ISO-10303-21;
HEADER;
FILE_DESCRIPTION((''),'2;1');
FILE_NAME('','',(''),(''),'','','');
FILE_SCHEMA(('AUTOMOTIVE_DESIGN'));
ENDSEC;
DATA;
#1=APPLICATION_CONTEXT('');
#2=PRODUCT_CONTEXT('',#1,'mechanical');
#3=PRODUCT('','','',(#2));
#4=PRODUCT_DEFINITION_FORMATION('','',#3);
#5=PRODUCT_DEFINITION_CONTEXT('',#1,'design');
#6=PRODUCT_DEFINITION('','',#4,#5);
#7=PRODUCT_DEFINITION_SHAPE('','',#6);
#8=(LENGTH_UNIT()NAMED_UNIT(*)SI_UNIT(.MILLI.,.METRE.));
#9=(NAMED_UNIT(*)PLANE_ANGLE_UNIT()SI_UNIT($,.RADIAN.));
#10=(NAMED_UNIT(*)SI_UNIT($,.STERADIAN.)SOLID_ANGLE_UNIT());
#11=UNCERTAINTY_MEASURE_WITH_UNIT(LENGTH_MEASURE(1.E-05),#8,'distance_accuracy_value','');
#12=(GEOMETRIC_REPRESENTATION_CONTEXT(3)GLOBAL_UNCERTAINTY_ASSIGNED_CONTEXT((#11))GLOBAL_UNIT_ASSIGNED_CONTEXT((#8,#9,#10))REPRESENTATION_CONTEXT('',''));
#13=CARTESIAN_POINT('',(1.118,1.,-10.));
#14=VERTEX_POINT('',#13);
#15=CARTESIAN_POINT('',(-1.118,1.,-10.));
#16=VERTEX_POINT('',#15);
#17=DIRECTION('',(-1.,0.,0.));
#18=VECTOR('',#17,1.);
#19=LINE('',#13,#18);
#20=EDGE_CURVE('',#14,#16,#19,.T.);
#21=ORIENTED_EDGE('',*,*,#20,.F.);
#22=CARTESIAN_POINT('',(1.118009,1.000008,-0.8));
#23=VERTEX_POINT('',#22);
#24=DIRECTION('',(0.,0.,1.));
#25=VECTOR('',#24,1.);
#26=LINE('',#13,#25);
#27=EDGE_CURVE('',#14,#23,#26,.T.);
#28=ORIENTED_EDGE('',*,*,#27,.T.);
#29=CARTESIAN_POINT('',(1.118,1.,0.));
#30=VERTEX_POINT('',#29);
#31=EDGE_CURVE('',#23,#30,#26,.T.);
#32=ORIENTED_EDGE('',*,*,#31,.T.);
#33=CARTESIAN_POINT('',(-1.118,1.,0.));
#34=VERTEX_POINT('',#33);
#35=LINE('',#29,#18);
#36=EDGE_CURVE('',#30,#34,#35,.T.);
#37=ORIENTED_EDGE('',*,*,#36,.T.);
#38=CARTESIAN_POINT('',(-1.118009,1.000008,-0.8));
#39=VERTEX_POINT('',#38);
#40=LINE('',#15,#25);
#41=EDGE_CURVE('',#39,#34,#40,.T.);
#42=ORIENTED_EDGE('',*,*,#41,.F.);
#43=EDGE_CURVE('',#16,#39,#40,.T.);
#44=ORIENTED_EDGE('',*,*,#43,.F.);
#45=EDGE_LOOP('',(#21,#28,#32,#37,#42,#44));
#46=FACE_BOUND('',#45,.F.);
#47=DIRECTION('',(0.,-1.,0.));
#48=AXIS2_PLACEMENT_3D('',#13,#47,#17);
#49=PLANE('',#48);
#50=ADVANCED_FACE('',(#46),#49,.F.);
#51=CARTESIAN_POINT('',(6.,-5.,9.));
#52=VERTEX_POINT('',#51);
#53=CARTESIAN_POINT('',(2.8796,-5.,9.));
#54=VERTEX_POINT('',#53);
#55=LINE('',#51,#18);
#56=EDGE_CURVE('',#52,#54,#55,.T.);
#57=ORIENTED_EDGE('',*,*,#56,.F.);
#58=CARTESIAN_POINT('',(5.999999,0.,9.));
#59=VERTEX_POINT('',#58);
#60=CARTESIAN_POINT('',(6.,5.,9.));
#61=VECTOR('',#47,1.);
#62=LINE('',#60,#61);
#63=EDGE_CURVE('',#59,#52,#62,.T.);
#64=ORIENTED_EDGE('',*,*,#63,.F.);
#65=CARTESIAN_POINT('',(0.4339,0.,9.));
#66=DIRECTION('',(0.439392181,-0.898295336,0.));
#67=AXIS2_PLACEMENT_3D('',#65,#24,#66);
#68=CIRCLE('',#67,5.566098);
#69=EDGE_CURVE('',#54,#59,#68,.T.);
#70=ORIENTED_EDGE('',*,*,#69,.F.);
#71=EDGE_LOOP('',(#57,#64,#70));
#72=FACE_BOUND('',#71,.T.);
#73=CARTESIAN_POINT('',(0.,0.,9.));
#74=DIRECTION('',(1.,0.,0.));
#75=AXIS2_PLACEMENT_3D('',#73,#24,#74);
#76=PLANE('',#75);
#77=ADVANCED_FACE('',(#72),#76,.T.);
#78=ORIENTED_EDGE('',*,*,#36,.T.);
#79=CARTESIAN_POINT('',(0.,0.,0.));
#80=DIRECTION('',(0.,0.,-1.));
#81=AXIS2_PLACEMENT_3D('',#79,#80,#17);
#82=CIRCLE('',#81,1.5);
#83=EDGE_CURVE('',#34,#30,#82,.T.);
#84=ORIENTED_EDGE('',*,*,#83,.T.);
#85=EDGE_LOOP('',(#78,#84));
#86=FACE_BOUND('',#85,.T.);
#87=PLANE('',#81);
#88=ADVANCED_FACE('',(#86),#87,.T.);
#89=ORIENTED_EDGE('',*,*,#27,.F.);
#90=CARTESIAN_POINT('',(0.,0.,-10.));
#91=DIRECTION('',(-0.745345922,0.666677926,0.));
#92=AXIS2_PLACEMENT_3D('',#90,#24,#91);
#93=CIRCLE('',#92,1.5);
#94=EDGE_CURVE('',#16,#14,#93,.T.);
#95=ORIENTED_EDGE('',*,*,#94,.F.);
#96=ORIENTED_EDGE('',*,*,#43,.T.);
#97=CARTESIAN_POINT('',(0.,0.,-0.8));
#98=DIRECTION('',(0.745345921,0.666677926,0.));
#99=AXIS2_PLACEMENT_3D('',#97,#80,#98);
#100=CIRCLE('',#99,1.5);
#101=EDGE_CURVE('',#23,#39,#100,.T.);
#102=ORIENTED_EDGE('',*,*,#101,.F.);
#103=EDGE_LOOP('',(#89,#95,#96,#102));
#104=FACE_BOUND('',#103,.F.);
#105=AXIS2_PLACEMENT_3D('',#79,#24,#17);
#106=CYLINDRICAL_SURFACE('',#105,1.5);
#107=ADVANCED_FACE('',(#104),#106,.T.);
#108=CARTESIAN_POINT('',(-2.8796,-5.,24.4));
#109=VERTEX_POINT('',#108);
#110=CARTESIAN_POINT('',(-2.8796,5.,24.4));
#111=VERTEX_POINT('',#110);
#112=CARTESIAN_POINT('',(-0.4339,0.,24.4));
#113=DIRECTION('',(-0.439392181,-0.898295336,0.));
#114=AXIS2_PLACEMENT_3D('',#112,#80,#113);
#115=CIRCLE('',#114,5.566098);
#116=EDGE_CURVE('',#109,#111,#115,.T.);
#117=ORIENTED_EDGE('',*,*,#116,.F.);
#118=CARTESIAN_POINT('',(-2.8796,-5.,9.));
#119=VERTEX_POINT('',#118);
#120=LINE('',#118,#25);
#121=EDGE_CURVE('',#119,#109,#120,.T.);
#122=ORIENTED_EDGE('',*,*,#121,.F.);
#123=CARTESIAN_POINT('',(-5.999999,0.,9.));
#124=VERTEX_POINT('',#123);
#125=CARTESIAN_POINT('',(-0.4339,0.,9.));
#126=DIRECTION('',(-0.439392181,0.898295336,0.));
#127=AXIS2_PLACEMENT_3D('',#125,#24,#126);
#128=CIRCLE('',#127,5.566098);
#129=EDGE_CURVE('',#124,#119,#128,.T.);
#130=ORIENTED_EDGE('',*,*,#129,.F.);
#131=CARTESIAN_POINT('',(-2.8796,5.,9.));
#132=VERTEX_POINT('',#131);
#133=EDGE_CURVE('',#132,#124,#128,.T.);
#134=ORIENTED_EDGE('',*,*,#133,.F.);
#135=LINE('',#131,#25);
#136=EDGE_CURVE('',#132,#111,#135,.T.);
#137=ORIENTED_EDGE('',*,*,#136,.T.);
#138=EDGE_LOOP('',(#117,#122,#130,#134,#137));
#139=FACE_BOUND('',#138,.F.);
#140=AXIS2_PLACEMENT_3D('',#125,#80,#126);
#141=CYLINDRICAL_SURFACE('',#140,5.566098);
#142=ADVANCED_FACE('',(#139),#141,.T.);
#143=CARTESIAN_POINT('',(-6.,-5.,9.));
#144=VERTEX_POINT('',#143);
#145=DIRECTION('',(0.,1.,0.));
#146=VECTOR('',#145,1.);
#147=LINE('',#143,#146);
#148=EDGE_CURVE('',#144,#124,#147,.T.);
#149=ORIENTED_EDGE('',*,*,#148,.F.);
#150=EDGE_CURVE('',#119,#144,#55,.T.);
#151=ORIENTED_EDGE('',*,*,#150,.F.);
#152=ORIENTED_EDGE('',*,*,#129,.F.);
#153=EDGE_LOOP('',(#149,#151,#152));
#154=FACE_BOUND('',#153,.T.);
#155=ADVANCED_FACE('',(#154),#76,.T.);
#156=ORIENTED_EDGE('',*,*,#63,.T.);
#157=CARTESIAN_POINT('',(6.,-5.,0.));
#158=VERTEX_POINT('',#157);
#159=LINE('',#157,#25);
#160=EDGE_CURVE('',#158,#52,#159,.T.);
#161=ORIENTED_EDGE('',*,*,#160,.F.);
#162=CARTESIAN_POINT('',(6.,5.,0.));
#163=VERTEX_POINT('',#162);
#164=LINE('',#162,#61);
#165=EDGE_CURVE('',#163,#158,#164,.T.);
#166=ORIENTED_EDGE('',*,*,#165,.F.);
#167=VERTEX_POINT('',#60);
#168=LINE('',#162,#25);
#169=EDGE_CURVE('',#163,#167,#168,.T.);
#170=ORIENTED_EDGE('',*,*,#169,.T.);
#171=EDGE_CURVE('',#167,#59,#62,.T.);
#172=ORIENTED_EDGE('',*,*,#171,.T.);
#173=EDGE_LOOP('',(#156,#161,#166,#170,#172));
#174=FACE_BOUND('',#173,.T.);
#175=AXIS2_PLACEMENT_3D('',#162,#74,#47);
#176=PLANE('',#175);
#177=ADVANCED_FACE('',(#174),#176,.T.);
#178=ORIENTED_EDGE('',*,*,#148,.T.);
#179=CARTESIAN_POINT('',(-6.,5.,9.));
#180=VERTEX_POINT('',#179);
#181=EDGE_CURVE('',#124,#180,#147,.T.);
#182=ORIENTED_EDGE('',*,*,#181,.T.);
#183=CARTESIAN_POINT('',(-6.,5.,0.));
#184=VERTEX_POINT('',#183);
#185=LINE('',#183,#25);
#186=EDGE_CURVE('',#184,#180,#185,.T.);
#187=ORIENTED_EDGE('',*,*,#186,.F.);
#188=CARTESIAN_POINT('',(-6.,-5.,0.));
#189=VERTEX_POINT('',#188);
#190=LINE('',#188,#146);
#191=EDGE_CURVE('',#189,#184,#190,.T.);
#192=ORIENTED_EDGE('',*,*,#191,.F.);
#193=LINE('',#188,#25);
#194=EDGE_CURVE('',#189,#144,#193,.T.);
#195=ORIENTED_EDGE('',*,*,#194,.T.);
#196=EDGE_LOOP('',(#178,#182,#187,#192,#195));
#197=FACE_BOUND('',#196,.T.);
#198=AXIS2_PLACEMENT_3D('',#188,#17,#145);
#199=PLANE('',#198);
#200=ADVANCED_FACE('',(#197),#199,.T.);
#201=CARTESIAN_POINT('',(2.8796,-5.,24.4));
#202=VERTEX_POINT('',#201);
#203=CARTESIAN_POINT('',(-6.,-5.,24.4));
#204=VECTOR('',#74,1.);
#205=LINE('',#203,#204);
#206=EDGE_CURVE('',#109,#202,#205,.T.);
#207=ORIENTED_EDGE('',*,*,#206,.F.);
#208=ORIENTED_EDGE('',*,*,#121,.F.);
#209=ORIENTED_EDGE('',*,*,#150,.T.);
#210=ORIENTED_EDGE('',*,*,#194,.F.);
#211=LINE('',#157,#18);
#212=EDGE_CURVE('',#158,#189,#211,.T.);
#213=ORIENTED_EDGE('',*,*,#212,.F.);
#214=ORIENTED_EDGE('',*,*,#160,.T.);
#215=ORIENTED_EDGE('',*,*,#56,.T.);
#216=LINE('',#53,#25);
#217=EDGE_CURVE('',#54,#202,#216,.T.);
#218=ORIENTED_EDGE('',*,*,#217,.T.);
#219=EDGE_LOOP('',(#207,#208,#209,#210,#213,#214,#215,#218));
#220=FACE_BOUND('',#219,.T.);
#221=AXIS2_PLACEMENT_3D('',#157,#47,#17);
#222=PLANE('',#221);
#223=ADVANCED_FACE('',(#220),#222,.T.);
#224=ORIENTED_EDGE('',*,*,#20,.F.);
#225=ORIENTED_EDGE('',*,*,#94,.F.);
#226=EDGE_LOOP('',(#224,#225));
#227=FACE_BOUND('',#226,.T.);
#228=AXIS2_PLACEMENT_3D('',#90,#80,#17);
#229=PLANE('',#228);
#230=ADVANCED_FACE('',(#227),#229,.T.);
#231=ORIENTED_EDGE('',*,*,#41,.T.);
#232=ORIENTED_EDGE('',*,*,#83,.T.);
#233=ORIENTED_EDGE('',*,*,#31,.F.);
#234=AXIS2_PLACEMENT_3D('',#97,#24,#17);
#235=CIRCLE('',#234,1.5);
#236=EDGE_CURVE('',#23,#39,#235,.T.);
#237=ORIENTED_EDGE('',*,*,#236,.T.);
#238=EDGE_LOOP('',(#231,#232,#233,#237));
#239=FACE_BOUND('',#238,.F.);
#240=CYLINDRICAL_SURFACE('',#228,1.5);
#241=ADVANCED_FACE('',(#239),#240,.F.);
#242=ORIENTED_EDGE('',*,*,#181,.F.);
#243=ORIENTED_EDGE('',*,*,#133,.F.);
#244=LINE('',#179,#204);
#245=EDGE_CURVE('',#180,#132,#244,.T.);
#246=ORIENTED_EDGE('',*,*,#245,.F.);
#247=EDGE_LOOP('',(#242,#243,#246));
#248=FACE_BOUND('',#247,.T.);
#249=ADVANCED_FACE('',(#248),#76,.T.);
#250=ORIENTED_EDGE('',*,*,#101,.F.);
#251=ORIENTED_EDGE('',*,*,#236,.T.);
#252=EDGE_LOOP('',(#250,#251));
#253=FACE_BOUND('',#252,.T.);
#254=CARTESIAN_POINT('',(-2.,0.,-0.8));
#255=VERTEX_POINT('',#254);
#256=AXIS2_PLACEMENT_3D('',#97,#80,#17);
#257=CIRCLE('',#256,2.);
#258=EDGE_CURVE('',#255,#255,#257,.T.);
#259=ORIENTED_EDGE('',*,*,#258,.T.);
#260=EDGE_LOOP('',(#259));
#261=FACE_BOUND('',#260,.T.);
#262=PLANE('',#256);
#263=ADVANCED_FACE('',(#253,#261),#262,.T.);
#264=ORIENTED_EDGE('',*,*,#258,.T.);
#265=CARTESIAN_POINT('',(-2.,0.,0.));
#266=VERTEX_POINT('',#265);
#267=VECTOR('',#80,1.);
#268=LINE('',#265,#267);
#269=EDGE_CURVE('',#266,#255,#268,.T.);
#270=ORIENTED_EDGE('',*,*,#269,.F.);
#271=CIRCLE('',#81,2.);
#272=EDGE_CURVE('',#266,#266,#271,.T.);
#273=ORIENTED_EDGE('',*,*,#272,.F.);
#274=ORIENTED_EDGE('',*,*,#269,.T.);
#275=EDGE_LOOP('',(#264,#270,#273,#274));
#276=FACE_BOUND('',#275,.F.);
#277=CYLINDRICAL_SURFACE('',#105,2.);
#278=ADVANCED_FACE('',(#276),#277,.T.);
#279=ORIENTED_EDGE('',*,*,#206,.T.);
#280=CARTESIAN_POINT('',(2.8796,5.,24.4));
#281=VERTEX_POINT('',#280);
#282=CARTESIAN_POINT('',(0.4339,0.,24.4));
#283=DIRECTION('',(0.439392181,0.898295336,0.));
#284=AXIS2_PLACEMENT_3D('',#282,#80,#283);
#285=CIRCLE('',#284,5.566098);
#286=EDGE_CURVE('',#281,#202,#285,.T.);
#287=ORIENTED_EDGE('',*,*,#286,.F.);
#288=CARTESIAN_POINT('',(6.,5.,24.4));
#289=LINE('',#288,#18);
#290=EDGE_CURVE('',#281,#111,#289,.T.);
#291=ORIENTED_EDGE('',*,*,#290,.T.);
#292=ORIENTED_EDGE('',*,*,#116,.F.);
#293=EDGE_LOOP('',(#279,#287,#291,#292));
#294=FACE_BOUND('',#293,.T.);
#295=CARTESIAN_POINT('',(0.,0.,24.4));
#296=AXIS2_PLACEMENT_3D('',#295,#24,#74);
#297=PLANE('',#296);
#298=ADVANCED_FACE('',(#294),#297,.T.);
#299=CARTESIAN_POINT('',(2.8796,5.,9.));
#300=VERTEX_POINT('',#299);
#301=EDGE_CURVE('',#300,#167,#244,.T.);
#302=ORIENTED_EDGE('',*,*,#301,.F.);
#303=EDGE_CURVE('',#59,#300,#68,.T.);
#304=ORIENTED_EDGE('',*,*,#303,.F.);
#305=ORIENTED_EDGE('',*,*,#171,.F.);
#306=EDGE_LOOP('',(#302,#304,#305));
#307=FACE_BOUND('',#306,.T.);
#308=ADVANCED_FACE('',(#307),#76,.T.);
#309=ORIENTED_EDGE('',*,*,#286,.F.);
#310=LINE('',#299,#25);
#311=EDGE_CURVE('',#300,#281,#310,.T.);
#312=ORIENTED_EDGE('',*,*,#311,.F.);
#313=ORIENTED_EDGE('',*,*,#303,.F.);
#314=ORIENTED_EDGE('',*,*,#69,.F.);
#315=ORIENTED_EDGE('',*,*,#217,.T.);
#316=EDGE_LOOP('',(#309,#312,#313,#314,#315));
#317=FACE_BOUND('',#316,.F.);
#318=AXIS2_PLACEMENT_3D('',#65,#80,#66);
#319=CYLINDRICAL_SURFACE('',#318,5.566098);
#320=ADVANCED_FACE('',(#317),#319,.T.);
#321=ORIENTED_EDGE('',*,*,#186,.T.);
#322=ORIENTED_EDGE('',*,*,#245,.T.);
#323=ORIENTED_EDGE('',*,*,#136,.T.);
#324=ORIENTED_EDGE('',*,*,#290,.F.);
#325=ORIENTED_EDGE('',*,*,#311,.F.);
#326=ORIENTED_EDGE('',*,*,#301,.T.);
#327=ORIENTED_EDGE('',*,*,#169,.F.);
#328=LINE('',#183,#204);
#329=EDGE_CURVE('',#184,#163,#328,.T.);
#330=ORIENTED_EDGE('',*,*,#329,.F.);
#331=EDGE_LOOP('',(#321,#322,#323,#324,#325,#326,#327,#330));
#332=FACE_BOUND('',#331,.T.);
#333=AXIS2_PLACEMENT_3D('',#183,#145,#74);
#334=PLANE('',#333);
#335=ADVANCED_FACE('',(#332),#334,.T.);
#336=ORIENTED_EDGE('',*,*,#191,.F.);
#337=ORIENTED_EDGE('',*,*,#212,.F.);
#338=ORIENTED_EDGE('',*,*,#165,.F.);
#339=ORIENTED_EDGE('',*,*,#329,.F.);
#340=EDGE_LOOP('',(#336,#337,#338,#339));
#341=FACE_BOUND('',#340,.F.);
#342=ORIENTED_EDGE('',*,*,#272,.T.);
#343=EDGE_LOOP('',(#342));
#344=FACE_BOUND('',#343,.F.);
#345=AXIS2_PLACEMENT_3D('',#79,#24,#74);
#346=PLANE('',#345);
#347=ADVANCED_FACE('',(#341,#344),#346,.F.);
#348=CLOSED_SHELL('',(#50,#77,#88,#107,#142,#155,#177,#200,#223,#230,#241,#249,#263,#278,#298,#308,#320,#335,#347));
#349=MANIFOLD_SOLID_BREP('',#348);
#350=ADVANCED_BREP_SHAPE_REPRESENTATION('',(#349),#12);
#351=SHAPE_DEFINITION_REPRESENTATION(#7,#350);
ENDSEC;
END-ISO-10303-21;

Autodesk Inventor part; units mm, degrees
ref_plane "YZ Plane" through (0, 0, 0) normal (1, 0, 0) x (0, 1, 0)
ref_plane "XZ Plane" through (0, 0, 0) normal (0, 1, 0) x (-1, 0, 0)
ref_plane "XY Plane" through (0, 0, 0) normal (0, 0, 1) x (1, 0, 0)
sketch "스케치1" plane through (0, 0, 0) normal (0, 0, 1) x (1, 0, 0)
  line L0 (-6, 5) -> (6, 5)
  line L1 (6, 5) -> (6, -5)
  line L2 (6, -5) -> (-6, -5)
  line L3 (-6, -5) -> (-6, 5)
  line L4 (-6, 5) -> (6, -5) construction
  line L5 (6, 5) -> (-6, -5) construction
  point P0 (0, 0)
  dimension "d0" = 12
  dimension "d1" = 10
extrude "돌출1" add sketch "스케치1" along normal blind 9
sketch "스케치2" plane through (0, 0, 9) normal (0, 0, 1) x (1, 0, 0)
  line L0 (-6, 5) -> (-6, -5) projected
  line L1 (-6, -5) -> (6, -5) projected
  line L2 (6, -5) -> (6, 5) projected
  line L3 (6, 5) -> (-6, 5) projected
  line L4 (-2.8796, -5) -> (2.8796, -5)
  line L5 (2.8796, -5) -> (2.8796, 5) construction
  line L6 (2.8796, 5) -> (-2.8796, 5)
  line L7 (-2.8796, 5) -> (-2.8796, -5) construction
  line L8 (-2.8796, -5) -> (2.8796, 5) construction
  line L9 (2.8796, -5) -> (-2.8796, 5) construction
  line L10 (-6, 0) -> (6, 0) construction
  arc A0 (-2.8796, 5) -> (-2.8796, -5) centre (-0.4339, 0) ccw
  arc A1 (2.8796, -5) -> (2.8796, 5) centre (0.4339, 0) ccw
  point P0 (0, 0)
extrude "돌출2" add sketch "스케치2" along normal blind 15.4 contours A0 L3 A1 L1
sketch "스케치3" plane through (0, 0, 0) normal (0, 0, -1) x (-1, 0, 0)
  circle A0 centre (0, 0) radius 2
  dimension "d6" = 4
extrude "돌출3" add sketch "스케치3" along normal blind 0.8
sketch "스케치4" plane through (0, 0, 0) normal (0, 0, -1) x (-1, 0, 0)
  circle A0 centre (0, 0) radius 1.5
  dimension "d9" = 3
extrude "돌출4" add sketch "스케치4" along normal blind 10
sketch "스케치5" plane through (0, 0, -10) normal (0, 0, -1) x (-1, 0, 0)
  circle A0 centre (0, 0) radius 1.5 projected
  line L0 (-1.118, 1) -> (1.118, 1)
  dimension "d12" = 1
extrude "돌출5" cut sketch "스케치5" against normal blind 10 contours L0 A0 picked at (-0.0599, 1.1631)
properties part number "모터"
